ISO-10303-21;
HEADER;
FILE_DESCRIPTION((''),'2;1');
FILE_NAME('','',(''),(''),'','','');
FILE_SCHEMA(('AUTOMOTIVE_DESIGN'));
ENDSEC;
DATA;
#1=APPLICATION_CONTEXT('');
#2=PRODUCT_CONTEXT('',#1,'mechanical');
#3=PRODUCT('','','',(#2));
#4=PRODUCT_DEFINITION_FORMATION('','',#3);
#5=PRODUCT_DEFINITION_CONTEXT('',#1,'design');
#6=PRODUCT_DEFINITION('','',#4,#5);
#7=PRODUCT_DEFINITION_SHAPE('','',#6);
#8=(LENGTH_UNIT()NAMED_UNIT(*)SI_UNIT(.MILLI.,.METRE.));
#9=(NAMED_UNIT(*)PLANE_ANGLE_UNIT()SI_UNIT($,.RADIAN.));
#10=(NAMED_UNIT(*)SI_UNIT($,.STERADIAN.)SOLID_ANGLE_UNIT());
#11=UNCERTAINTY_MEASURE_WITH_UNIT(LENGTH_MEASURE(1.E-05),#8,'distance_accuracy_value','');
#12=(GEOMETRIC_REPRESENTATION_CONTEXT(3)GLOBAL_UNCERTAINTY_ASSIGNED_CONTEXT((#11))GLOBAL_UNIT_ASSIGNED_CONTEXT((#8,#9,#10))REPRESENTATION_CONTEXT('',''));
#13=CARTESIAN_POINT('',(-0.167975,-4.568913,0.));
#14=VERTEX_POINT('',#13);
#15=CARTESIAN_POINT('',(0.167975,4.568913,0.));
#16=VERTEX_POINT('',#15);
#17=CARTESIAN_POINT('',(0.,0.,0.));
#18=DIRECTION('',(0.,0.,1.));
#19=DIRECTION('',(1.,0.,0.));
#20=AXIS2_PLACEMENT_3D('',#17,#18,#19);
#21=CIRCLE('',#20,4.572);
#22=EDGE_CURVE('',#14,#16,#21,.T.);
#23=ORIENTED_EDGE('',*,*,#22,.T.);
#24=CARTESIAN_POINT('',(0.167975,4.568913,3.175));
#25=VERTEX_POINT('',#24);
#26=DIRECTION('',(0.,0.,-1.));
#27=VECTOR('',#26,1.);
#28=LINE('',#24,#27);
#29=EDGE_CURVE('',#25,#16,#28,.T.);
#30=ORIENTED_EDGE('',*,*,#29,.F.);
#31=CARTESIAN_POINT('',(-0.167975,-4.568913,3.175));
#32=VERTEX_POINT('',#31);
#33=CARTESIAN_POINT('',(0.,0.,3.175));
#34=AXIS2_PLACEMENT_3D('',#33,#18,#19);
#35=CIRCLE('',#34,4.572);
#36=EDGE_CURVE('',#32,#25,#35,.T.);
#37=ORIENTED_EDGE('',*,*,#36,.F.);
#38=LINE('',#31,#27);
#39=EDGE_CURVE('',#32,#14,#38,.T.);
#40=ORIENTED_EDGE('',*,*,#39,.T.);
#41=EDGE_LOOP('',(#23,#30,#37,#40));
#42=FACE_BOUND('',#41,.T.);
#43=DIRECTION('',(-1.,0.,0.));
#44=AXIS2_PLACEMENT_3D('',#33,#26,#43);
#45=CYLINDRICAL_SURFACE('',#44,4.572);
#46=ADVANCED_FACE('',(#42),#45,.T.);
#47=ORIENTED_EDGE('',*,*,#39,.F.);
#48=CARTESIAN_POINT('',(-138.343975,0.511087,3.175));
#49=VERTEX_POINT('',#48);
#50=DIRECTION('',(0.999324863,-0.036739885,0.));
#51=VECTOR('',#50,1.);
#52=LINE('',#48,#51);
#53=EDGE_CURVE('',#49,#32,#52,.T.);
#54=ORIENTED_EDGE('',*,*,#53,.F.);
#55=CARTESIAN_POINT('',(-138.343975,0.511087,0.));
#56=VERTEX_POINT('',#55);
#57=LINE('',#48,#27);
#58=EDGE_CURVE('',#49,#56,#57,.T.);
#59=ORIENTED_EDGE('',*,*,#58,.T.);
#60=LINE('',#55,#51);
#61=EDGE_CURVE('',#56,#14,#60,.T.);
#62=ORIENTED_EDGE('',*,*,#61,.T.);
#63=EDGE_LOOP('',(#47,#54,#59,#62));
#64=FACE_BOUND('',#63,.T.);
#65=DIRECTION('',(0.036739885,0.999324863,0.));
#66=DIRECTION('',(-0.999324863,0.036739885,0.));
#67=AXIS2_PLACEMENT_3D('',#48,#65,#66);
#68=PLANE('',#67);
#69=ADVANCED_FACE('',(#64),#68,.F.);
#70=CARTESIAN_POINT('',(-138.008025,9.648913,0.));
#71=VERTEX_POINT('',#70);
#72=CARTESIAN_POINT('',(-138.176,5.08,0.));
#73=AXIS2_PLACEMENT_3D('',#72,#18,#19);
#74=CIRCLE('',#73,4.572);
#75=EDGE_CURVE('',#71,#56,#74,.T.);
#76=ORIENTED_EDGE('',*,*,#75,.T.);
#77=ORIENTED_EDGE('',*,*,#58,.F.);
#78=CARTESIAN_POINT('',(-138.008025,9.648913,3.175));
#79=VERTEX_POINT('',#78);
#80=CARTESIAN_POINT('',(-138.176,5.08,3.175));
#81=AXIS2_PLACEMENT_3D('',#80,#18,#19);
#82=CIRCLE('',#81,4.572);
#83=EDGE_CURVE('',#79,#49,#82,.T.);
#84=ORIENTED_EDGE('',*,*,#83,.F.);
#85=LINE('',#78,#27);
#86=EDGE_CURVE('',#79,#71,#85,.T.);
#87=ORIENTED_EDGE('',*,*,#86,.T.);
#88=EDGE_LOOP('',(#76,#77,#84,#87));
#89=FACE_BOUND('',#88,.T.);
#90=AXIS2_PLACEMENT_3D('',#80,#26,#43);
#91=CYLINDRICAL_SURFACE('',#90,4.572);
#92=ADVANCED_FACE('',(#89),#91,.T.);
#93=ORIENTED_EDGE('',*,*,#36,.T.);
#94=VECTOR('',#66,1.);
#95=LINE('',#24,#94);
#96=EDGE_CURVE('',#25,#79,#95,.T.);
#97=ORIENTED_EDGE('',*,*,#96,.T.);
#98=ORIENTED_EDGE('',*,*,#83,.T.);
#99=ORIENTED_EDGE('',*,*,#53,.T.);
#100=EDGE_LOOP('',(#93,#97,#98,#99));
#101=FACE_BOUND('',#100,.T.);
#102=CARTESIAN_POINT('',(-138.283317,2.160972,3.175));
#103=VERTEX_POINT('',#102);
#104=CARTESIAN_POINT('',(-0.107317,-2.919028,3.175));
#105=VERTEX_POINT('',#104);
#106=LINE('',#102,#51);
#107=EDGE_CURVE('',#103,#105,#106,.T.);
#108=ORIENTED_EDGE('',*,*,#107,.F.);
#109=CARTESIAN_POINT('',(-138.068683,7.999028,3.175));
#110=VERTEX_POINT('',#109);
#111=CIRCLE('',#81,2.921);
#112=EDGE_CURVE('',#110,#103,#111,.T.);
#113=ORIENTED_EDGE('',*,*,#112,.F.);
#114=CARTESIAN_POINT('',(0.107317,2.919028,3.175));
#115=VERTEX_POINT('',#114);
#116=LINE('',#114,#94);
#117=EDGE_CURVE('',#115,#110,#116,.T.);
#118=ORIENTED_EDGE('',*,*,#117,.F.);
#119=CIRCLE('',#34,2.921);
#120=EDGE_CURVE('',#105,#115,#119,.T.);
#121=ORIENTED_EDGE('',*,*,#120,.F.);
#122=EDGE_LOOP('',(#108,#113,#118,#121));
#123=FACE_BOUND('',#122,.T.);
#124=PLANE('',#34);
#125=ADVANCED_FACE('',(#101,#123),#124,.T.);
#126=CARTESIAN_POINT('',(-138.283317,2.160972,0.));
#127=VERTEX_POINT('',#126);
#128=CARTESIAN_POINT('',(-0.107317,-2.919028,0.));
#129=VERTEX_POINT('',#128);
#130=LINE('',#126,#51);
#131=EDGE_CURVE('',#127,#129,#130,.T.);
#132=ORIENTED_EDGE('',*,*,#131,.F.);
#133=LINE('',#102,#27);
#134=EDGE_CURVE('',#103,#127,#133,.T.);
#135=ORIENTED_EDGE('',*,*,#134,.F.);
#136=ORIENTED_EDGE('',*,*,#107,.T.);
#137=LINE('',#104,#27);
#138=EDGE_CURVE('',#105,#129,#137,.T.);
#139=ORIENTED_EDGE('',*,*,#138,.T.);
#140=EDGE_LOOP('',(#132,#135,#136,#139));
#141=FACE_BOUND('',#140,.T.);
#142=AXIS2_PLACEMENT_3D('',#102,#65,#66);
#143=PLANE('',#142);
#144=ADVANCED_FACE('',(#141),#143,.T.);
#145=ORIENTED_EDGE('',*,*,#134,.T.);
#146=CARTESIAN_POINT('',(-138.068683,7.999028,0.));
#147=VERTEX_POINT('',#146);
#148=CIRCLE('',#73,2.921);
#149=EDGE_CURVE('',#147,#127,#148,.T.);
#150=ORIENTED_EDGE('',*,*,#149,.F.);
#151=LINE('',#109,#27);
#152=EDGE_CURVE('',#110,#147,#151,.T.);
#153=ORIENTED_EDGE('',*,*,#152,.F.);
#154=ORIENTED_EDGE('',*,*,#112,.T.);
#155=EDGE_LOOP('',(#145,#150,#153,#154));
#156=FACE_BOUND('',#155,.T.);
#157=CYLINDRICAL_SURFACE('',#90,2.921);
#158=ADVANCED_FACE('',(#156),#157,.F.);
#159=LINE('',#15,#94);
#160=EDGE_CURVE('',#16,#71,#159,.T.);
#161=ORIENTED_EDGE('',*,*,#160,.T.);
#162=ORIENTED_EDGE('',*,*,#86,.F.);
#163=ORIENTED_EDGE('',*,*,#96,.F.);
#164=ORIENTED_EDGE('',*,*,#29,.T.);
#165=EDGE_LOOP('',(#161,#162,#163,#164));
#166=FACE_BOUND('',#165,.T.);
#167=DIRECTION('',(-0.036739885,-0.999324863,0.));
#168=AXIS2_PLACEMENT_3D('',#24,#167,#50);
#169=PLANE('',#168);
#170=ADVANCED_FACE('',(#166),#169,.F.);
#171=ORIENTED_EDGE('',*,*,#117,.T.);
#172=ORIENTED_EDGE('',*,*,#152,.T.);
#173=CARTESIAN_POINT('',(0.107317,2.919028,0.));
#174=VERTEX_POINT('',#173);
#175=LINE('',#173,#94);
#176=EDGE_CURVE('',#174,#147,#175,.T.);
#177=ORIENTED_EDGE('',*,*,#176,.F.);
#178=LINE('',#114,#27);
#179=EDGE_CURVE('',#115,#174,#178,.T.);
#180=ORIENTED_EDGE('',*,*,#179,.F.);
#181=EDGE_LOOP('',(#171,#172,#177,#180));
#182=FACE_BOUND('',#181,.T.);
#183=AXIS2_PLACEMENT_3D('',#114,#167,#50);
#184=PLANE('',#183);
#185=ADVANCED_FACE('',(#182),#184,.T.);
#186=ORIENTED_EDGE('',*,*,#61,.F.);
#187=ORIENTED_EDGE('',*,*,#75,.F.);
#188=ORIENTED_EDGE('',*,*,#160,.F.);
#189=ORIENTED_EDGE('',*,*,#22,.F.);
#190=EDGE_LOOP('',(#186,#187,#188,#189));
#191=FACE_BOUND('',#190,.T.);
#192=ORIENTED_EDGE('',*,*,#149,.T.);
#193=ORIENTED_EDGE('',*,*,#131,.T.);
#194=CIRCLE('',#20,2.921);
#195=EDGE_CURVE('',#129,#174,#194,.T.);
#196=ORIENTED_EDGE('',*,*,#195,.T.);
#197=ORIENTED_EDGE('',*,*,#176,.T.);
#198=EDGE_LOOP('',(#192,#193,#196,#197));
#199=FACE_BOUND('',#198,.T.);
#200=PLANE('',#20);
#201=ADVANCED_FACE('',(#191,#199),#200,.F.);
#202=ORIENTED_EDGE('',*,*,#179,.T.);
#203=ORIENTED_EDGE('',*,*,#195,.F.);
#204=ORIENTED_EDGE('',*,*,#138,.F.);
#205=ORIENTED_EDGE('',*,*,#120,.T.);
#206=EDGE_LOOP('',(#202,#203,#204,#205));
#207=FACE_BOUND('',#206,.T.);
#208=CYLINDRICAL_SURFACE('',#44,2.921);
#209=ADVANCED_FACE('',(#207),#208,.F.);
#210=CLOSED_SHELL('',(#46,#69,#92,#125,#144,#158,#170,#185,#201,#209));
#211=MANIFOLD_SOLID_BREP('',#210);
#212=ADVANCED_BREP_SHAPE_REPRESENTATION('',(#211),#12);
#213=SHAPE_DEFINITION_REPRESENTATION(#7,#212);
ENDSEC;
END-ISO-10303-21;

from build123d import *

# Parameters (mm, degrees)
BOSS_EXTRUDE1_DEPTH = 3.175


with BuildPart() as part:
    # Sketch1 → Boss-Extrude1 (new body)
    with BuildSketch(Plane.XY):
        with BuildLine():
            Line((0.167974753, 4.568913271), (-138.008025247, 9.648913271))
            ThreePointArc((-138.008025247, 9.648913271), (-142.744913271, 5.247974753), (-138.343974753, 0.511086729))
            Line((-138.343974753, 0.511086729), (-0.167974753, -4.568913271))
            ThreePointArc((-0.167974753, -4.568913271), (4.568913271, -0.167974753), (0.167974753, 4.568913271))
        make_face()
        with BuildLine():
            Line((-138.283317203, 2.160972077), (-0.107317203, -2.919027923))
            ThreePointArc((-0.107317203, -2.919027923), (2.919027923, -0.107317203), (0.107317203, 2.919027923))
            Line((0.107317203, 2.919027923), (-138.068682797, 7.999027923))
            ThreePointArc((-138.068682797, 7.999027923), (-141.095027923, 5.187317203), (-138.283317203, 2.160972077))
        make_face(mode=Mode.SUBTRACT)
    extrude(amount=BOSS_EXTRUDE1_DEPTH)


solid = part.part
